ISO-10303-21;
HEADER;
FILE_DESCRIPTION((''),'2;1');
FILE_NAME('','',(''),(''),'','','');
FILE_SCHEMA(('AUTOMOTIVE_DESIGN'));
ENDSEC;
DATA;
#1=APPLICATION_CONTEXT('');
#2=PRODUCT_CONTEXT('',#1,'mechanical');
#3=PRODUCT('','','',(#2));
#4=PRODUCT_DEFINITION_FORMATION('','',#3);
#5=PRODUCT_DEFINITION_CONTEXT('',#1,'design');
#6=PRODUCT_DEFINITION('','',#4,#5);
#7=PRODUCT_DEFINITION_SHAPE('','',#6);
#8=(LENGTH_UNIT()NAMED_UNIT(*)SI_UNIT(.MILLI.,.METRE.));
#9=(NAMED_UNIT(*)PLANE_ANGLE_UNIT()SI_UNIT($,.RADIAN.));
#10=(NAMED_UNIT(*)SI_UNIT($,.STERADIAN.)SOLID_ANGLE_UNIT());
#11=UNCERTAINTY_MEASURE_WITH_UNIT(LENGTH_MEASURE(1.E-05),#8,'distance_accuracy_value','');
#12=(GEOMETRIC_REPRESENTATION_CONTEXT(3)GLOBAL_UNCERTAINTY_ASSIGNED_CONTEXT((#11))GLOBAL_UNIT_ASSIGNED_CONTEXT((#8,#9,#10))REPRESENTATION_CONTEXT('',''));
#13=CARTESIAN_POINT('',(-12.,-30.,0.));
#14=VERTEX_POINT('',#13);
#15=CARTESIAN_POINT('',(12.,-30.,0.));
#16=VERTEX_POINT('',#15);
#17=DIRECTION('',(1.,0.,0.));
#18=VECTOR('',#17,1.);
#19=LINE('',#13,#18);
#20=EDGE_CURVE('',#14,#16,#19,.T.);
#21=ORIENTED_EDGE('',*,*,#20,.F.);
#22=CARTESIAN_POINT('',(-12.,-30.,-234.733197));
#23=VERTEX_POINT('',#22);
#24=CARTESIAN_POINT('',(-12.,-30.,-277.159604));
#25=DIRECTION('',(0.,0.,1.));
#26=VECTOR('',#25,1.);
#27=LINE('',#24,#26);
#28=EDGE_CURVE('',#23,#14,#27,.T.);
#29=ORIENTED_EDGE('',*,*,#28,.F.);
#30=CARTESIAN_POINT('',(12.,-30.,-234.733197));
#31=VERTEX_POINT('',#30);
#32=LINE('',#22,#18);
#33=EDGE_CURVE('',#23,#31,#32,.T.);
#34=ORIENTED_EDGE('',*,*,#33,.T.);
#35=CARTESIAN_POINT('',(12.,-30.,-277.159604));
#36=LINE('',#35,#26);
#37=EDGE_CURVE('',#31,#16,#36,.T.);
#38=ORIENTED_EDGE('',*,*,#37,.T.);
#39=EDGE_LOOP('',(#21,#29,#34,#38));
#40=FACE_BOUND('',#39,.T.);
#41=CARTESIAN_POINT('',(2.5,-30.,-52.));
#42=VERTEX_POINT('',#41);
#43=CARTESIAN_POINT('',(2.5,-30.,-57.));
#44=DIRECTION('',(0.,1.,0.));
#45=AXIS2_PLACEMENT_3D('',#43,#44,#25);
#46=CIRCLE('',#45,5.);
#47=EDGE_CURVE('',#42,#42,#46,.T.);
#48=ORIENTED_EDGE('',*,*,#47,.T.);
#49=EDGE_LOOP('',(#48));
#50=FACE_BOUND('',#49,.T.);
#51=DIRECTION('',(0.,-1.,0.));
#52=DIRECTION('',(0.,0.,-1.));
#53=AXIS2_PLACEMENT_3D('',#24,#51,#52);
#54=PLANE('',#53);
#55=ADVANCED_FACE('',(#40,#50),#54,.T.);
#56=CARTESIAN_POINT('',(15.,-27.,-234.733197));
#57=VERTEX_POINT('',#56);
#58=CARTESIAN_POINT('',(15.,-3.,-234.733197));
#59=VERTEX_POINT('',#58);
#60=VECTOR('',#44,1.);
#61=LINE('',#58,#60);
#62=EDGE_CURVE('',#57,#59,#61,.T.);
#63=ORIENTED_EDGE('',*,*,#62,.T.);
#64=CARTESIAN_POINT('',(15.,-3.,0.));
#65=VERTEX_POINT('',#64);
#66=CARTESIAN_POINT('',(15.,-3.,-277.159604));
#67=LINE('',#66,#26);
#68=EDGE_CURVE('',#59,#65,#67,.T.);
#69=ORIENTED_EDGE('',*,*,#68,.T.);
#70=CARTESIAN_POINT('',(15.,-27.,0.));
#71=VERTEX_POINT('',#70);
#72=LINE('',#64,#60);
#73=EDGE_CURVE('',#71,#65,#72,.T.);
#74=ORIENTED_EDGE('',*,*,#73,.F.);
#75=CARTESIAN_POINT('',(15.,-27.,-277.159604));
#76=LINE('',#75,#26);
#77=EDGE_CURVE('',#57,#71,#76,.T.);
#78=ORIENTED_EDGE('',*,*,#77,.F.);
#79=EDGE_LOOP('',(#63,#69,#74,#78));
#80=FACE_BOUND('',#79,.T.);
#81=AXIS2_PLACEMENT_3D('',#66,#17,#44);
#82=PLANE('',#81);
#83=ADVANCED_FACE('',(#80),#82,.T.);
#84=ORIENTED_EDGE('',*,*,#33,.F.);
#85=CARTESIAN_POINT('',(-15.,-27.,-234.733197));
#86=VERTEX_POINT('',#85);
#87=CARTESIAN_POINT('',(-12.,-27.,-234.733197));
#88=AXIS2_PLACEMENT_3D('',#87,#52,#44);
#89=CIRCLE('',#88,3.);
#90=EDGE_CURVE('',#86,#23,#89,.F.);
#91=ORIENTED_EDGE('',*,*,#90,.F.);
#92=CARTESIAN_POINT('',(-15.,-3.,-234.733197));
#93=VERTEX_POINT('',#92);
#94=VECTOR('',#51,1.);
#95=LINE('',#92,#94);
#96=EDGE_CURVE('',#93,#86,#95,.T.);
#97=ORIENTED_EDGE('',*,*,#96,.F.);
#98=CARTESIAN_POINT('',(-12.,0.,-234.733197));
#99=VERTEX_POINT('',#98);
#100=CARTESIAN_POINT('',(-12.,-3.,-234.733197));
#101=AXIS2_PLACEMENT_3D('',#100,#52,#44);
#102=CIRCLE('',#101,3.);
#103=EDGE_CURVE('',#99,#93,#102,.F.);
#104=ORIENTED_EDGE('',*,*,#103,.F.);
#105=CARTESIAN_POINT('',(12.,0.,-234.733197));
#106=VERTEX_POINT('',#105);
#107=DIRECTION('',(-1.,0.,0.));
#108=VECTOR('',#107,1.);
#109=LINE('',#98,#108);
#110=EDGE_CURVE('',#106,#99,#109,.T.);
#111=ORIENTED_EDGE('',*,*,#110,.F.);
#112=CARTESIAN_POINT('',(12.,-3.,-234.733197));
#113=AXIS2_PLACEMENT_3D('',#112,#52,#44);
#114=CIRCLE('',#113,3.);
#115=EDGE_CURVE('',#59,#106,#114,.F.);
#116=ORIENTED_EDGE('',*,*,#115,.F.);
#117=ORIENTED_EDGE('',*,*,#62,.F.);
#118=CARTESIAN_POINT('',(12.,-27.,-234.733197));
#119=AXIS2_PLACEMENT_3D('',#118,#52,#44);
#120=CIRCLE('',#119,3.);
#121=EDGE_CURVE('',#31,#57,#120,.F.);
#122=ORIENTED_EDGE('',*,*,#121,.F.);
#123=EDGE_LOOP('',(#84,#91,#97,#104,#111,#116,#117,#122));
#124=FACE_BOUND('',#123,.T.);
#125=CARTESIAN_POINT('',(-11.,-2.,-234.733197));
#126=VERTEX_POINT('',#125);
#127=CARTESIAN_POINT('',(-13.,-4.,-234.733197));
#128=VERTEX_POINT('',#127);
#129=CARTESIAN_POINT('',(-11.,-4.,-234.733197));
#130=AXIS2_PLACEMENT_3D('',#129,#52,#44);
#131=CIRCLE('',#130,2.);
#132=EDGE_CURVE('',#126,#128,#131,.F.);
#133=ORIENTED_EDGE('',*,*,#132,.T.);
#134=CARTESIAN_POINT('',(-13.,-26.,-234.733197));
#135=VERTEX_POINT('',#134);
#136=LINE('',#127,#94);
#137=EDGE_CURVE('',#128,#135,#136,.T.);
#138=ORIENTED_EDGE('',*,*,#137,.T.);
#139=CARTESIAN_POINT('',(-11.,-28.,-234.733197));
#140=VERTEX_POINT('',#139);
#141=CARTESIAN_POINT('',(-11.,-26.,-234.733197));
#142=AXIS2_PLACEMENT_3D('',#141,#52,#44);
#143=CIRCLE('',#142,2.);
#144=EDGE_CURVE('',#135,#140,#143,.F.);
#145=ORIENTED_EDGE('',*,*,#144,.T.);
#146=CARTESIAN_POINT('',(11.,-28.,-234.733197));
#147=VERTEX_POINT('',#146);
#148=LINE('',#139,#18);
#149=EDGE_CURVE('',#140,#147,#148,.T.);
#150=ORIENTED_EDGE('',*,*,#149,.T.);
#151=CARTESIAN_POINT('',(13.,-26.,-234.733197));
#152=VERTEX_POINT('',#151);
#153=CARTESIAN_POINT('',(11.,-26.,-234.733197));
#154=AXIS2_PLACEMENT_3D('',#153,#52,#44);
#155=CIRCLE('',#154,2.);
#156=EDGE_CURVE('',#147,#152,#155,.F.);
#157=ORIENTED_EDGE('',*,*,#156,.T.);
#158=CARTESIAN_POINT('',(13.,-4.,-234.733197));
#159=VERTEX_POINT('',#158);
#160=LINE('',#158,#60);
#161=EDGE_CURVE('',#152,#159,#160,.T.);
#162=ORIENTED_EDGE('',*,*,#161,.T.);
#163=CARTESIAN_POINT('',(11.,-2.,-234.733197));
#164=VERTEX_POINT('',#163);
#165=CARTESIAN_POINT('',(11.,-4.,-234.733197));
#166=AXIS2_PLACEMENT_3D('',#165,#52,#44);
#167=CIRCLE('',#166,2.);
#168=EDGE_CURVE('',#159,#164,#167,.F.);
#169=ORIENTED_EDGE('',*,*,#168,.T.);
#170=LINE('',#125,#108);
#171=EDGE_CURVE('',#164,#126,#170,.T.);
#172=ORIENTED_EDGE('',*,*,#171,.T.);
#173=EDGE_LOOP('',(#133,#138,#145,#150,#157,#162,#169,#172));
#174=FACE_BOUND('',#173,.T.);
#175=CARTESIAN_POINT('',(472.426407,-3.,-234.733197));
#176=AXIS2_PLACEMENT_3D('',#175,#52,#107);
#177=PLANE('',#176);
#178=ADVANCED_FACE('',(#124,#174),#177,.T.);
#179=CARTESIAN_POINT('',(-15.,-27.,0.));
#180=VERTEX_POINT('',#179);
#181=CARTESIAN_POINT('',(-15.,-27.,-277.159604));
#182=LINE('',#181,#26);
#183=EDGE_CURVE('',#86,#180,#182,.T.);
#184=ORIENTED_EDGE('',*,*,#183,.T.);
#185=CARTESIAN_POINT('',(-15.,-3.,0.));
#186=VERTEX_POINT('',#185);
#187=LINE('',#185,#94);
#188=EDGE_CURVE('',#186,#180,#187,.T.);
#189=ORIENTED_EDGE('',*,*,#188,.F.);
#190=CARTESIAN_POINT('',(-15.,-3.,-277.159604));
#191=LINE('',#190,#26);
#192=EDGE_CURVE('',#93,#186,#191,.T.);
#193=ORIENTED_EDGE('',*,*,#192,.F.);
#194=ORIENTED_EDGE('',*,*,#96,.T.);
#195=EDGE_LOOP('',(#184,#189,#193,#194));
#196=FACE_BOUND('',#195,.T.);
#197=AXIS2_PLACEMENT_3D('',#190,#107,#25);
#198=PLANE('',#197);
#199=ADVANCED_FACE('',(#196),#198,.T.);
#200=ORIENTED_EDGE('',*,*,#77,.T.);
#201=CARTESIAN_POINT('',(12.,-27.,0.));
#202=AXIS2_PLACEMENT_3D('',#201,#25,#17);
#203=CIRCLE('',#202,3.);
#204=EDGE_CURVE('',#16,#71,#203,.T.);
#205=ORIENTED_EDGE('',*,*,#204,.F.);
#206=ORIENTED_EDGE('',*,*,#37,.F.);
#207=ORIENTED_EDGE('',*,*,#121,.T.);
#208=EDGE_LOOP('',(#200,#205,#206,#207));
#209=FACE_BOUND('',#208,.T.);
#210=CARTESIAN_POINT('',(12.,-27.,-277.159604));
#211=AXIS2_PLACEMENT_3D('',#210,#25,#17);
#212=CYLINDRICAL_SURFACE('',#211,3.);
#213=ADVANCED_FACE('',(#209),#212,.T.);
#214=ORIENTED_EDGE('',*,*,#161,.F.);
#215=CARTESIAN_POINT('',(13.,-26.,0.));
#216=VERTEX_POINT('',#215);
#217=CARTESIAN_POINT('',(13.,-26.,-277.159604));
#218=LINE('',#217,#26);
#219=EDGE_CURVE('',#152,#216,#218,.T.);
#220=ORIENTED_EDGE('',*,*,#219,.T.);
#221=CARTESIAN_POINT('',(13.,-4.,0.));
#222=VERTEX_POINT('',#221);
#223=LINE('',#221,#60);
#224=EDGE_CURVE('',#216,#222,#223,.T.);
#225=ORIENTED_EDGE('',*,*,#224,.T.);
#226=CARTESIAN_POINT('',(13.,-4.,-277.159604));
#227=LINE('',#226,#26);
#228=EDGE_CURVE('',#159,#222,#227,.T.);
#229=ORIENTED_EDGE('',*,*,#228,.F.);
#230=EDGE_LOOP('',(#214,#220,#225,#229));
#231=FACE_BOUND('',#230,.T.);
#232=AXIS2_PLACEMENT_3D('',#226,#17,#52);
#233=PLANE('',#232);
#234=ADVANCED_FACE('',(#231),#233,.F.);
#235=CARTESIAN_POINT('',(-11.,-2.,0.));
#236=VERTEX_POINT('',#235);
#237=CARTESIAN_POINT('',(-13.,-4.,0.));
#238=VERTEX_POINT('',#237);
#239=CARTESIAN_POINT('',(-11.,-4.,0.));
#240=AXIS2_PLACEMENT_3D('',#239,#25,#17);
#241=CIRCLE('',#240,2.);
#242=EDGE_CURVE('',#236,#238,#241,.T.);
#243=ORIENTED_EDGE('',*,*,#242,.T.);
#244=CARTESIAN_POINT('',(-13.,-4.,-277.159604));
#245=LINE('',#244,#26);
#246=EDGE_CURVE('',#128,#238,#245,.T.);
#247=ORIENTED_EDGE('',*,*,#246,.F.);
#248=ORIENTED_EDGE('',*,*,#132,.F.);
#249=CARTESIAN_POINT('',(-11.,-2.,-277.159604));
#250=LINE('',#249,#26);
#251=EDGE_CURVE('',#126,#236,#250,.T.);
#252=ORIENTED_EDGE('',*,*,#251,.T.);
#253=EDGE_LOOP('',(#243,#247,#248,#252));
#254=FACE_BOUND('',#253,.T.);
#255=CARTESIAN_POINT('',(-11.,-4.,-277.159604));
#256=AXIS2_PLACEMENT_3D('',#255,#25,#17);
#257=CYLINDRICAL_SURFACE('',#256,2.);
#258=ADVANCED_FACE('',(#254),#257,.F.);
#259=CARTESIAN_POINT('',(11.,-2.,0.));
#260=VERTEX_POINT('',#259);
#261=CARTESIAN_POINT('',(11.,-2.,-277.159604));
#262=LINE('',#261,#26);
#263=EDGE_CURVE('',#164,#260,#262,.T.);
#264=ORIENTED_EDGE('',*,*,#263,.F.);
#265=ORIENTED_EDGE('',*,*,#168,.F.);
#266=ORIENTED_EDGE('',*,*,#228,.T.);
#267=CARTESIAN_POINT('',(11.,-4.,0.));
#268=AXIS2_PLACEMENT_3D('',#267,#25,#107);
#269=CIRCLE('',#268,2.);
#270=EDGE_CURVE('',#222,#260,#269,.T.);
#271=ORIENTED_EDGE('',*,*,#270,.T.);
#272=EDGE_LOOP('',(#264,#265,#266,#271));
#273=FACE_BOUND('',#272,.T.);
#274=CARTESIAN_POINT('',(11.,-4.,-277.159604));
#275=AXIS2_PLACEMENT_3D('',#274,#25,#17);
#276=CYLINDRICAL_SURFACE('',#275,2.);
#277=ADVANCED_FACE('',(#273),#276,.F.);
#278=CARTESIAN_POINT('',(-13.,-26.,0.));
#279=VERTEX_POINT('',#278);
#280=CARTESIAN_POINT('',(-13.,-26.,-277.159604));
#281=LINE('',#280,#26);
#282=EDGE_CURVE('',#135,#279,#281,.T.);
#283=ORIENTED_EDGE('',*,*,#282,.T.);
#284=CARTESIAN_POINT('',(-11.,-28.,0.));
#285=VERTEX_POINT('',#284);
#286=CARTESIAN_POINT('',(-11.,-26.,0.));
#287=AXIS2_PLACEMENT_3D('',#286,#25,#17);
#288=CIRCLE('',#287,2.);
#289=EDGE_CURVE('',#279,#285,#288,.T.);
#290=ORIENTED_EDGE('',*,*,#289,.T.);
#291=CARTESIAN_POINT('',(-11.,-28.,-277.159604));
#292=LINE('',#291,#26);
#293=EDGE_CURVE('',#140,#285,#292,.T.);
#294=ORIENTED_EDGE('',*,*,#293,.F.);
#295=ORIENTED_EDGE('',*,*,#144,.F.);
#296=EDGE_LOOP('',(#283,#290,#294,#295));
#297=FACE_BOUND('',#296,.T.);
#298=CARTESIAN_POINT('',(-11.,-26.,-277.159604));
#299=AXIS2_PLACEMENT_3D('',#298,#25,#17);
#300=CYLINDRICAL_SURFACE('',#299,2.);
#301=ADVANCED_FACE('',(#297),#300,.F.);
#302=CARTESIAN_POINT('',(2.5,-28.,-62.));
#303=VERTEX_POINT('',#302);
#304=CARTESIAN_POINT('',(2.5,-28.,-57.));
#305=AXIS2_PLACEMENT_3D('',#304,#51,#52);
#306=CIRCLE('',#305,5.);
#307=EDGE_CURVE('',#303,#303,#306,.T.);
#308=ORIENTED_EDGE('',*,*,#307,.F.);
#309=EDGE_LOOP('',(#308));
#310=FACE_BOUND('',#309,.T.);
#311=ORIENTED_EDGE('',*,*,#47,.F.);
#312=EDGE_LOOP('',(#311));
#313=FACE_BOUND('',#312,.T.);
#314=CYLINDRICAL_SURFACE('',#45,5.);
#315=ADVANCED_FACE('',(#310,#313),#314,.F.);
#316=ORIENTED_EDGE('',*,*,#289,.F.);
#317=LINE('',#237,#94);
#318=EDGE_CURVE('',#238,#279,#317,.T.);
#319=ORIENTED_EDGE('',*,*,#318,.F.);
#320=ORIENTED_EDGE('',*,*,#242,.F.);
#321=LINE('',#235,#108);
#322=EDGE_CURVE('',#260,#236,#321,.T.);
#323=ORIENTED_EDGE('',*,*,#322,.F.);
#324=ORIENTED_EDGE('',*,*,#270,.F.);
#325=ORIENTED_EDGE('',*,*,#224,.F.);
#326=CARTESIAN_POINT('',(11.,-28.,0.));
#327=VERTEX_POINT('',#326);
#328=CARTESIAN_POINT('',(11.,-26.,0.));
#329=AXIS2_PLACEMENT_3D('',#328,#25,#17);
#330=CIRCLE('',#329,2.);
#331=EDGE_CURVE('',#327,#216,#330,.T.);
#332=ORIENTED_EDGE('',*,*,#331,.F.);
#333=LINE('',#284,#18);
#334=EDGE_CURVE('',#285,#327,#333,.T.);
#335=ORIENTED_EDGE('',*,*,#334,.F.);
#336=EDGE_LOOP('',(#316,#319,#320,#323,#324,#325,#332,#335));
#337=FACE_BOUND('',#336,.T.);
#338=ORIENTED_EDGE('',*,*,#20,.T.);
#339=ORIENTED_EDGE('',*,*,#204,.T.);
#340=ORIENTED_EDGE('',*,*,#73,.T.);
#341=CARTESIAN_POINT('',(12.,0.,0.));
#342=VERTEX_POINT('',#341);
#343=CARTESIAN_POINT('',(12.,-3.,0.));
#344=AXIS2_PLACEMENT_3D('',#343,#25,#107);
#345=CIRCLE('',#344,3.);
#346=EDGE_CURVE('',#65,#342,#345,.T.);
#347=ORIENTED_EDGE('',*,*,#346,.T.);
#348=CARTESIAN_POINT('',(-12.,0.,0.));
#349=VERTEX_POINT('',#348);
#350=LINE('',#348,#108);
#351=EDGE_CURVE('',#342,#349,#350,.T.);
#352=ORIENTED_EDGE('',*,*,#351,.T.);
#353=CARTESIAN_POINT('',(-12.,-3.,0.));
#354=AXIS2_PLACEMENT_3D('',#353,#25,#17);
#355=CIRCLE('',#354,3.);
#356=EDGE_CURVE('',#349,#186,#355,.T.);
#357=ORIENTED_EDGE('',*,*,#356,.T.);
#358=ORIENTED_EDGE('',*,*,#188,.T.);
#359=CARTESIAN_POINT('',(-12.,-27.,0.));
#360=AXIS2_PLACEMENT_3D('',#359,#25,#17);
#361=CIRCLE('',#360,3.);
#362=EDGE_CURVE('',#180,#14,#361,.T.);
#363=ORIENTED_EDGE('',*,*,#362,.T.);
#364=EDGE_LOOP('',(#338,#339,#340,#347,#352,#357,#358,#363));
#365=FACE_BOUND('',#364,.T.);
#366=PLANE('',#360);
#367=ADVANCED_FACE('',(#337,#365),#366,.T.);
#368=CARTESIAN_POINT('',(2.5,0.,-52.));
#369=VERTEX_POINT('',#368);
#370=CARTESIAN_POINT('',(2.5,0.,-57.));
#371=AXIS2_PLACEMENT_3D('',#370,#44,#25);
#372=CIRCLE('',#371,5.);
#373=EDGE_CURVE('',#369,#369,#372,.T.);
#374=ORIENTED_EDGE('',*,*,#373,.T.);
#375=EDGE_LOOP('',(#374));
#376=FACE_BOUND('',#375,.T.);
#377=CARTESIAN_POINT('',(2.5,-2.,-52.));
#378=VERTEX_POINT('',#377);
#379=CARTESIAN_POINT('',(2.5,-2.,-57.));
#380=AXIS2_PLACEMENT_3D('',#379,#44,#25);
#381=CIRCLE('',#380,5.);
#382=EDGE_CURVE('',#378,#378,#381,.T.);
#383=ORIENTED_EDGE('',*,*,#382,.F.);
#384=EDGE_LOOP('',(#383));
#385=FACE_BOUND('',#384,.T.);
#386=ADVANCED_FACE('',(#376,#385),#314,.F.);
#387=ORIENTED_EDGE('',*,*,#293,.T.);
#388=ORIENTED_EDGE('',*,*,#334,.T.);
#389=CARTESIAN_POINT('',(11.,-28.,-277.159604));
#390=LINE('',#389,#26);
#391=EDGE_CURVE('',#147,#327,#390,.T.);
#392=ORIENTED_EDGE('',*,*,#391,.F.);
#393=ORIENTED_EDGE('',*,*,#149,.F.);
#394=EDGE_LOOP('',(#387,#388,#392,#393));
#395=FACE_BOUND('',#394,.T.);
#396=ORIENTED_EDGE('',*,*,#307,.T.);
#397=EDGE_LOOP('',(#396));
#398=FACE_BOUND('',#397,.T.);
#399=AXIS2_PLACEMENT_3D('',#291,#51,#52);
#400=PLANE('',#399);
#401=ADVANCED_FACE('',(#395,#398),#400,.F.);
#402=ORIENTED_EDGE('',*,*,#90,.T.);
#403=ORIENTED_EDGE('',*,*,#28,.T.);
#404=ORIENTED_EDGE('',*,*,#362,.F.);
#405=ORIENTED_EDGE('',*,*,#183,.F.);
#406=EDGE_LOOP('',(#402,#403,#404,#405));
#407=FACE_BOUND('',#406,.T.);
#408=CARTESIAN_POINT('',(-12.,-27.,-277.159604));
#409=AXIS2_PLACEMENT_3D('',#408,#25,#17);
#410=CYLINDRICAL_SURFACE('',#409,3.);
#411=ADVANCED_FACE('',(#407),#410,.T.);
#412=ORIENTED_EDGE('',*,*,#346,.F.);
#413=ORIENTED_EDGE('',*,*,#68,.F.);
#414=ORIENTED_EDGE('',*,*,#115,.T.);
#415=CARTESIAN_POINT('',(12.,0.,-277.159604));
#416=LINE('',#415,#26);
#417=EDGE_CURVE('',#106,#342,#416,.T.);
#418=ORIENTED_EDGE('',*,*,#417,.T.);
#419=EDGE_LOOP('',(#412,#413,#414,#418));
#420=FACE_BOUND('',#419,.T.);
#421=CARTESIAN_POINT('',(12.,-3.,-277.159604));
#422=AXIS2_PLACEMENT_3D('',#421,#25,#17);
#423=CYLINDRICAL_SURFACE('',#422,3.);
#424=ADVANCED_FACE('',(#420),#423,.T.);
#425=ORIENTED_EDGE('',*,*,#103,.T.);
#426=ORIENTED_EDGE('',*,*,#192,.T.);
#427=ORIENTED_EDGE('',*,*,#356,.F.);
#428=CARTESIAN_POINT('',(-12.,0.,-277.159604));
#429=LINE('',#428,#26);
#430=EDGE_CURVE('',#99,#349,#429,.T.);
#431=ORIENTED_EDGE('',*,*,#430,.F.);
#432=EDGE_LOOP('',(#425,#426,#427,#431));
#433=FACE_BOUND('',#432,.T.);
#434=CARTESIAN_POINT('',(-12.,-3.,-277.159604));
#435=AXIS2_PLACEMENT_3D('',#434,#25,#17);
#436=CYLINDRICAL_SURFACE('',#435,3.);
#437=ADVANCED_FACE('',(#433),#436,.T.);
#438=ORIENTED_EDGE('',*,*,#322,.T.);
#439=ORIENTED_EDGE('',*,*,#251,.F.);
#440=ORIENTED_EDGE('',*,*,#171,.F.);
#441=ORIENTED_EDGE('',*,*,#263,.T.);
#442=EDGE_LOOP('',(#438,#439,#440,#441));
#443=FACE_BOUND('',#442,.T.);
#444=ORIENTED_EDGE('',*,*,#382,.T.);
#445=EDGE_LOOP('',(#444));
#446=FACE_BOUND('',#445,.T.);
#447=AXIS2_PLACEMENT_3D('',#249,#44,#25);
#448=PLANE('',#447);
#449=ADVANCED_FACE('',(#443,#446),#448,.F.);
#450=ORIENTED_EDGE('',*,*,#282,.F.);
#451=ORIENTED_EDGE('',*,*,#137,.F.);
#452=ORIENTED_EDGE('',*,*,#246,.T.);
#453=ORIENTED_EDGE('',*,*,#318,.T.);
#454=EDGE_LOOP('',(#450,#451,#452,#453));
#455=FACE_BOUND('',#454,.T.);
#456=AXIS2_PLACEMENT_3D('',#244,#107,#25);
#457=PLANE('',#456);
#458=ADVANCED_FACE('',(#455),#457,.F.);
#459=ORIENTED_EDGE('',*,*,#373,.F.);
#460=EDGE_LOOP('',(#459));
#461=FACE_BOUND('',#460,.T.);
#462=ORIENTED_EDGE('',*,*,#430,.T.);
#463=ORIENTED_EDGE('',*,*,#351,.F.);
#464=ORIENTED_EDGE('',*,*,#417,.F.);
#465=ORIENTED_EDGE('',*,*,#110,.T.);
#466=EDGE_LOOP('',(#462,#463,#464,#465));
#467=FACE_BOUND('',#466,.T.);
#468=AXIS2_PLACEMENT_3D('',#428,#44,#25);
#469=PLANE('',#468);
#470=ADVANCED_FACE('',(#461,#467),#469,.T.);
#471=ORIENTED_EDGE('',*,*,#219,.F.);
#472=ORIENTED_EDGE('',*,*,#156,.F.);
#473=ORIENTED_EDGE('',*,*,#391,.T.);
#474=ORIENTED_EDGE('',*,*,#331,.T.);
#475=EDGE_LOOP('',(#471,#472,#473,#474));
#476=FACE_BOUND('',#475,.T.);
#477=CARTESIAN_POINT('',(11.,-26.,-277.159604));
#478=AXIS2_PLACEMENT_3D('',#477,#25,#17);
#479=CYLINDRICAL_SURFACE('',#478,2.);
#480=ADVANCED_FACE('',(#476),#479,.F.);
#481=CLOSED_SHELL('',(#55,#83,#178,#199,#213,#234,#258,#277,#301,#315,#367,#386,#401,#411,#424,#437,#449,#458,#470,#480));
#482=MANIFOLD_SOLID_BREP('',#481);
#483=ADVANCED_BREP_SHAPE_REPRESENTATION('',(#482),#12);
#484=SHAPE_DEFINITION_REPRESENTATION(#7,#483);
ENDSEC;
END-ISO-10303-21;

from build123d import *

# Parameters (mm, degrees)
EXTRUDE_1_DEPTH     = 234.733197
SKETCH_2_R          = 5
CUT_EXTRUDE_1_DEPTH = 31


with BuildPart() as part:
    # Эскиз1 → Бобышка-Вытянуть1 (new body)
    with BuildSketch(Plane.XY):
        with BuildLine():
            Line((-12, 0), (12, 0))
            ThreePointArc((12, 0), (14.121320344, -0.878679656), (15, -3))
            Line((15, -3), (15, -27))
            ThreePointArc((15, -27), (14.121320344, -29.121320344), (12, -30))
            Line((12, -30), (-12, -30))
            ThreePointArc((-12, -30), (-14.121320344, -29.121320344), (-15, -27))
            Line((-15, -27), (-15, -3))
            ThreePointArc((-15, -3), (-14.121320344, -0.878679656), (-12, 0))
        make_face()
        with BuildLine():
            Line((-11, -2), (11, -2))
            ThreePointArc((11, -2), (12.414213562, -2.585786438), (13, -4))
            Line((13, -4), (13, -26))
            ThreePointArc((13, -26), (12.414213562, -27.414213562), (11, -28))
            Line((11, -28), (-11, -28))
            ThreePointArc((-11, -28), (-12.414213562, -27.414213562), (-13, -26))
            Line((-13, -26), (-13, -4))
            ThreePointArc((-13, -4), (-12.414213562, -2.585786438), (-11, -2))
        make_face(mode=Mode.SUBTRACT)
    extrude(amount=-EXTRUDE_1_DEPTH)

    # Эскиз2 → Вырез-Вытянуть1 (cut, through all)
    with BuildSketch(Plane(origin=(0, 0, 0), x_dir=(1, 0, 0), z_dir=(0, 1, 0))):
        with Locations((2.5, 57)):
            Circle(SKETCH_2_R)
    extrude(amount=-CUT_EXTRUDE_1_DEPTH, mode=Mode.SUBTRACT)


solid = part.part
